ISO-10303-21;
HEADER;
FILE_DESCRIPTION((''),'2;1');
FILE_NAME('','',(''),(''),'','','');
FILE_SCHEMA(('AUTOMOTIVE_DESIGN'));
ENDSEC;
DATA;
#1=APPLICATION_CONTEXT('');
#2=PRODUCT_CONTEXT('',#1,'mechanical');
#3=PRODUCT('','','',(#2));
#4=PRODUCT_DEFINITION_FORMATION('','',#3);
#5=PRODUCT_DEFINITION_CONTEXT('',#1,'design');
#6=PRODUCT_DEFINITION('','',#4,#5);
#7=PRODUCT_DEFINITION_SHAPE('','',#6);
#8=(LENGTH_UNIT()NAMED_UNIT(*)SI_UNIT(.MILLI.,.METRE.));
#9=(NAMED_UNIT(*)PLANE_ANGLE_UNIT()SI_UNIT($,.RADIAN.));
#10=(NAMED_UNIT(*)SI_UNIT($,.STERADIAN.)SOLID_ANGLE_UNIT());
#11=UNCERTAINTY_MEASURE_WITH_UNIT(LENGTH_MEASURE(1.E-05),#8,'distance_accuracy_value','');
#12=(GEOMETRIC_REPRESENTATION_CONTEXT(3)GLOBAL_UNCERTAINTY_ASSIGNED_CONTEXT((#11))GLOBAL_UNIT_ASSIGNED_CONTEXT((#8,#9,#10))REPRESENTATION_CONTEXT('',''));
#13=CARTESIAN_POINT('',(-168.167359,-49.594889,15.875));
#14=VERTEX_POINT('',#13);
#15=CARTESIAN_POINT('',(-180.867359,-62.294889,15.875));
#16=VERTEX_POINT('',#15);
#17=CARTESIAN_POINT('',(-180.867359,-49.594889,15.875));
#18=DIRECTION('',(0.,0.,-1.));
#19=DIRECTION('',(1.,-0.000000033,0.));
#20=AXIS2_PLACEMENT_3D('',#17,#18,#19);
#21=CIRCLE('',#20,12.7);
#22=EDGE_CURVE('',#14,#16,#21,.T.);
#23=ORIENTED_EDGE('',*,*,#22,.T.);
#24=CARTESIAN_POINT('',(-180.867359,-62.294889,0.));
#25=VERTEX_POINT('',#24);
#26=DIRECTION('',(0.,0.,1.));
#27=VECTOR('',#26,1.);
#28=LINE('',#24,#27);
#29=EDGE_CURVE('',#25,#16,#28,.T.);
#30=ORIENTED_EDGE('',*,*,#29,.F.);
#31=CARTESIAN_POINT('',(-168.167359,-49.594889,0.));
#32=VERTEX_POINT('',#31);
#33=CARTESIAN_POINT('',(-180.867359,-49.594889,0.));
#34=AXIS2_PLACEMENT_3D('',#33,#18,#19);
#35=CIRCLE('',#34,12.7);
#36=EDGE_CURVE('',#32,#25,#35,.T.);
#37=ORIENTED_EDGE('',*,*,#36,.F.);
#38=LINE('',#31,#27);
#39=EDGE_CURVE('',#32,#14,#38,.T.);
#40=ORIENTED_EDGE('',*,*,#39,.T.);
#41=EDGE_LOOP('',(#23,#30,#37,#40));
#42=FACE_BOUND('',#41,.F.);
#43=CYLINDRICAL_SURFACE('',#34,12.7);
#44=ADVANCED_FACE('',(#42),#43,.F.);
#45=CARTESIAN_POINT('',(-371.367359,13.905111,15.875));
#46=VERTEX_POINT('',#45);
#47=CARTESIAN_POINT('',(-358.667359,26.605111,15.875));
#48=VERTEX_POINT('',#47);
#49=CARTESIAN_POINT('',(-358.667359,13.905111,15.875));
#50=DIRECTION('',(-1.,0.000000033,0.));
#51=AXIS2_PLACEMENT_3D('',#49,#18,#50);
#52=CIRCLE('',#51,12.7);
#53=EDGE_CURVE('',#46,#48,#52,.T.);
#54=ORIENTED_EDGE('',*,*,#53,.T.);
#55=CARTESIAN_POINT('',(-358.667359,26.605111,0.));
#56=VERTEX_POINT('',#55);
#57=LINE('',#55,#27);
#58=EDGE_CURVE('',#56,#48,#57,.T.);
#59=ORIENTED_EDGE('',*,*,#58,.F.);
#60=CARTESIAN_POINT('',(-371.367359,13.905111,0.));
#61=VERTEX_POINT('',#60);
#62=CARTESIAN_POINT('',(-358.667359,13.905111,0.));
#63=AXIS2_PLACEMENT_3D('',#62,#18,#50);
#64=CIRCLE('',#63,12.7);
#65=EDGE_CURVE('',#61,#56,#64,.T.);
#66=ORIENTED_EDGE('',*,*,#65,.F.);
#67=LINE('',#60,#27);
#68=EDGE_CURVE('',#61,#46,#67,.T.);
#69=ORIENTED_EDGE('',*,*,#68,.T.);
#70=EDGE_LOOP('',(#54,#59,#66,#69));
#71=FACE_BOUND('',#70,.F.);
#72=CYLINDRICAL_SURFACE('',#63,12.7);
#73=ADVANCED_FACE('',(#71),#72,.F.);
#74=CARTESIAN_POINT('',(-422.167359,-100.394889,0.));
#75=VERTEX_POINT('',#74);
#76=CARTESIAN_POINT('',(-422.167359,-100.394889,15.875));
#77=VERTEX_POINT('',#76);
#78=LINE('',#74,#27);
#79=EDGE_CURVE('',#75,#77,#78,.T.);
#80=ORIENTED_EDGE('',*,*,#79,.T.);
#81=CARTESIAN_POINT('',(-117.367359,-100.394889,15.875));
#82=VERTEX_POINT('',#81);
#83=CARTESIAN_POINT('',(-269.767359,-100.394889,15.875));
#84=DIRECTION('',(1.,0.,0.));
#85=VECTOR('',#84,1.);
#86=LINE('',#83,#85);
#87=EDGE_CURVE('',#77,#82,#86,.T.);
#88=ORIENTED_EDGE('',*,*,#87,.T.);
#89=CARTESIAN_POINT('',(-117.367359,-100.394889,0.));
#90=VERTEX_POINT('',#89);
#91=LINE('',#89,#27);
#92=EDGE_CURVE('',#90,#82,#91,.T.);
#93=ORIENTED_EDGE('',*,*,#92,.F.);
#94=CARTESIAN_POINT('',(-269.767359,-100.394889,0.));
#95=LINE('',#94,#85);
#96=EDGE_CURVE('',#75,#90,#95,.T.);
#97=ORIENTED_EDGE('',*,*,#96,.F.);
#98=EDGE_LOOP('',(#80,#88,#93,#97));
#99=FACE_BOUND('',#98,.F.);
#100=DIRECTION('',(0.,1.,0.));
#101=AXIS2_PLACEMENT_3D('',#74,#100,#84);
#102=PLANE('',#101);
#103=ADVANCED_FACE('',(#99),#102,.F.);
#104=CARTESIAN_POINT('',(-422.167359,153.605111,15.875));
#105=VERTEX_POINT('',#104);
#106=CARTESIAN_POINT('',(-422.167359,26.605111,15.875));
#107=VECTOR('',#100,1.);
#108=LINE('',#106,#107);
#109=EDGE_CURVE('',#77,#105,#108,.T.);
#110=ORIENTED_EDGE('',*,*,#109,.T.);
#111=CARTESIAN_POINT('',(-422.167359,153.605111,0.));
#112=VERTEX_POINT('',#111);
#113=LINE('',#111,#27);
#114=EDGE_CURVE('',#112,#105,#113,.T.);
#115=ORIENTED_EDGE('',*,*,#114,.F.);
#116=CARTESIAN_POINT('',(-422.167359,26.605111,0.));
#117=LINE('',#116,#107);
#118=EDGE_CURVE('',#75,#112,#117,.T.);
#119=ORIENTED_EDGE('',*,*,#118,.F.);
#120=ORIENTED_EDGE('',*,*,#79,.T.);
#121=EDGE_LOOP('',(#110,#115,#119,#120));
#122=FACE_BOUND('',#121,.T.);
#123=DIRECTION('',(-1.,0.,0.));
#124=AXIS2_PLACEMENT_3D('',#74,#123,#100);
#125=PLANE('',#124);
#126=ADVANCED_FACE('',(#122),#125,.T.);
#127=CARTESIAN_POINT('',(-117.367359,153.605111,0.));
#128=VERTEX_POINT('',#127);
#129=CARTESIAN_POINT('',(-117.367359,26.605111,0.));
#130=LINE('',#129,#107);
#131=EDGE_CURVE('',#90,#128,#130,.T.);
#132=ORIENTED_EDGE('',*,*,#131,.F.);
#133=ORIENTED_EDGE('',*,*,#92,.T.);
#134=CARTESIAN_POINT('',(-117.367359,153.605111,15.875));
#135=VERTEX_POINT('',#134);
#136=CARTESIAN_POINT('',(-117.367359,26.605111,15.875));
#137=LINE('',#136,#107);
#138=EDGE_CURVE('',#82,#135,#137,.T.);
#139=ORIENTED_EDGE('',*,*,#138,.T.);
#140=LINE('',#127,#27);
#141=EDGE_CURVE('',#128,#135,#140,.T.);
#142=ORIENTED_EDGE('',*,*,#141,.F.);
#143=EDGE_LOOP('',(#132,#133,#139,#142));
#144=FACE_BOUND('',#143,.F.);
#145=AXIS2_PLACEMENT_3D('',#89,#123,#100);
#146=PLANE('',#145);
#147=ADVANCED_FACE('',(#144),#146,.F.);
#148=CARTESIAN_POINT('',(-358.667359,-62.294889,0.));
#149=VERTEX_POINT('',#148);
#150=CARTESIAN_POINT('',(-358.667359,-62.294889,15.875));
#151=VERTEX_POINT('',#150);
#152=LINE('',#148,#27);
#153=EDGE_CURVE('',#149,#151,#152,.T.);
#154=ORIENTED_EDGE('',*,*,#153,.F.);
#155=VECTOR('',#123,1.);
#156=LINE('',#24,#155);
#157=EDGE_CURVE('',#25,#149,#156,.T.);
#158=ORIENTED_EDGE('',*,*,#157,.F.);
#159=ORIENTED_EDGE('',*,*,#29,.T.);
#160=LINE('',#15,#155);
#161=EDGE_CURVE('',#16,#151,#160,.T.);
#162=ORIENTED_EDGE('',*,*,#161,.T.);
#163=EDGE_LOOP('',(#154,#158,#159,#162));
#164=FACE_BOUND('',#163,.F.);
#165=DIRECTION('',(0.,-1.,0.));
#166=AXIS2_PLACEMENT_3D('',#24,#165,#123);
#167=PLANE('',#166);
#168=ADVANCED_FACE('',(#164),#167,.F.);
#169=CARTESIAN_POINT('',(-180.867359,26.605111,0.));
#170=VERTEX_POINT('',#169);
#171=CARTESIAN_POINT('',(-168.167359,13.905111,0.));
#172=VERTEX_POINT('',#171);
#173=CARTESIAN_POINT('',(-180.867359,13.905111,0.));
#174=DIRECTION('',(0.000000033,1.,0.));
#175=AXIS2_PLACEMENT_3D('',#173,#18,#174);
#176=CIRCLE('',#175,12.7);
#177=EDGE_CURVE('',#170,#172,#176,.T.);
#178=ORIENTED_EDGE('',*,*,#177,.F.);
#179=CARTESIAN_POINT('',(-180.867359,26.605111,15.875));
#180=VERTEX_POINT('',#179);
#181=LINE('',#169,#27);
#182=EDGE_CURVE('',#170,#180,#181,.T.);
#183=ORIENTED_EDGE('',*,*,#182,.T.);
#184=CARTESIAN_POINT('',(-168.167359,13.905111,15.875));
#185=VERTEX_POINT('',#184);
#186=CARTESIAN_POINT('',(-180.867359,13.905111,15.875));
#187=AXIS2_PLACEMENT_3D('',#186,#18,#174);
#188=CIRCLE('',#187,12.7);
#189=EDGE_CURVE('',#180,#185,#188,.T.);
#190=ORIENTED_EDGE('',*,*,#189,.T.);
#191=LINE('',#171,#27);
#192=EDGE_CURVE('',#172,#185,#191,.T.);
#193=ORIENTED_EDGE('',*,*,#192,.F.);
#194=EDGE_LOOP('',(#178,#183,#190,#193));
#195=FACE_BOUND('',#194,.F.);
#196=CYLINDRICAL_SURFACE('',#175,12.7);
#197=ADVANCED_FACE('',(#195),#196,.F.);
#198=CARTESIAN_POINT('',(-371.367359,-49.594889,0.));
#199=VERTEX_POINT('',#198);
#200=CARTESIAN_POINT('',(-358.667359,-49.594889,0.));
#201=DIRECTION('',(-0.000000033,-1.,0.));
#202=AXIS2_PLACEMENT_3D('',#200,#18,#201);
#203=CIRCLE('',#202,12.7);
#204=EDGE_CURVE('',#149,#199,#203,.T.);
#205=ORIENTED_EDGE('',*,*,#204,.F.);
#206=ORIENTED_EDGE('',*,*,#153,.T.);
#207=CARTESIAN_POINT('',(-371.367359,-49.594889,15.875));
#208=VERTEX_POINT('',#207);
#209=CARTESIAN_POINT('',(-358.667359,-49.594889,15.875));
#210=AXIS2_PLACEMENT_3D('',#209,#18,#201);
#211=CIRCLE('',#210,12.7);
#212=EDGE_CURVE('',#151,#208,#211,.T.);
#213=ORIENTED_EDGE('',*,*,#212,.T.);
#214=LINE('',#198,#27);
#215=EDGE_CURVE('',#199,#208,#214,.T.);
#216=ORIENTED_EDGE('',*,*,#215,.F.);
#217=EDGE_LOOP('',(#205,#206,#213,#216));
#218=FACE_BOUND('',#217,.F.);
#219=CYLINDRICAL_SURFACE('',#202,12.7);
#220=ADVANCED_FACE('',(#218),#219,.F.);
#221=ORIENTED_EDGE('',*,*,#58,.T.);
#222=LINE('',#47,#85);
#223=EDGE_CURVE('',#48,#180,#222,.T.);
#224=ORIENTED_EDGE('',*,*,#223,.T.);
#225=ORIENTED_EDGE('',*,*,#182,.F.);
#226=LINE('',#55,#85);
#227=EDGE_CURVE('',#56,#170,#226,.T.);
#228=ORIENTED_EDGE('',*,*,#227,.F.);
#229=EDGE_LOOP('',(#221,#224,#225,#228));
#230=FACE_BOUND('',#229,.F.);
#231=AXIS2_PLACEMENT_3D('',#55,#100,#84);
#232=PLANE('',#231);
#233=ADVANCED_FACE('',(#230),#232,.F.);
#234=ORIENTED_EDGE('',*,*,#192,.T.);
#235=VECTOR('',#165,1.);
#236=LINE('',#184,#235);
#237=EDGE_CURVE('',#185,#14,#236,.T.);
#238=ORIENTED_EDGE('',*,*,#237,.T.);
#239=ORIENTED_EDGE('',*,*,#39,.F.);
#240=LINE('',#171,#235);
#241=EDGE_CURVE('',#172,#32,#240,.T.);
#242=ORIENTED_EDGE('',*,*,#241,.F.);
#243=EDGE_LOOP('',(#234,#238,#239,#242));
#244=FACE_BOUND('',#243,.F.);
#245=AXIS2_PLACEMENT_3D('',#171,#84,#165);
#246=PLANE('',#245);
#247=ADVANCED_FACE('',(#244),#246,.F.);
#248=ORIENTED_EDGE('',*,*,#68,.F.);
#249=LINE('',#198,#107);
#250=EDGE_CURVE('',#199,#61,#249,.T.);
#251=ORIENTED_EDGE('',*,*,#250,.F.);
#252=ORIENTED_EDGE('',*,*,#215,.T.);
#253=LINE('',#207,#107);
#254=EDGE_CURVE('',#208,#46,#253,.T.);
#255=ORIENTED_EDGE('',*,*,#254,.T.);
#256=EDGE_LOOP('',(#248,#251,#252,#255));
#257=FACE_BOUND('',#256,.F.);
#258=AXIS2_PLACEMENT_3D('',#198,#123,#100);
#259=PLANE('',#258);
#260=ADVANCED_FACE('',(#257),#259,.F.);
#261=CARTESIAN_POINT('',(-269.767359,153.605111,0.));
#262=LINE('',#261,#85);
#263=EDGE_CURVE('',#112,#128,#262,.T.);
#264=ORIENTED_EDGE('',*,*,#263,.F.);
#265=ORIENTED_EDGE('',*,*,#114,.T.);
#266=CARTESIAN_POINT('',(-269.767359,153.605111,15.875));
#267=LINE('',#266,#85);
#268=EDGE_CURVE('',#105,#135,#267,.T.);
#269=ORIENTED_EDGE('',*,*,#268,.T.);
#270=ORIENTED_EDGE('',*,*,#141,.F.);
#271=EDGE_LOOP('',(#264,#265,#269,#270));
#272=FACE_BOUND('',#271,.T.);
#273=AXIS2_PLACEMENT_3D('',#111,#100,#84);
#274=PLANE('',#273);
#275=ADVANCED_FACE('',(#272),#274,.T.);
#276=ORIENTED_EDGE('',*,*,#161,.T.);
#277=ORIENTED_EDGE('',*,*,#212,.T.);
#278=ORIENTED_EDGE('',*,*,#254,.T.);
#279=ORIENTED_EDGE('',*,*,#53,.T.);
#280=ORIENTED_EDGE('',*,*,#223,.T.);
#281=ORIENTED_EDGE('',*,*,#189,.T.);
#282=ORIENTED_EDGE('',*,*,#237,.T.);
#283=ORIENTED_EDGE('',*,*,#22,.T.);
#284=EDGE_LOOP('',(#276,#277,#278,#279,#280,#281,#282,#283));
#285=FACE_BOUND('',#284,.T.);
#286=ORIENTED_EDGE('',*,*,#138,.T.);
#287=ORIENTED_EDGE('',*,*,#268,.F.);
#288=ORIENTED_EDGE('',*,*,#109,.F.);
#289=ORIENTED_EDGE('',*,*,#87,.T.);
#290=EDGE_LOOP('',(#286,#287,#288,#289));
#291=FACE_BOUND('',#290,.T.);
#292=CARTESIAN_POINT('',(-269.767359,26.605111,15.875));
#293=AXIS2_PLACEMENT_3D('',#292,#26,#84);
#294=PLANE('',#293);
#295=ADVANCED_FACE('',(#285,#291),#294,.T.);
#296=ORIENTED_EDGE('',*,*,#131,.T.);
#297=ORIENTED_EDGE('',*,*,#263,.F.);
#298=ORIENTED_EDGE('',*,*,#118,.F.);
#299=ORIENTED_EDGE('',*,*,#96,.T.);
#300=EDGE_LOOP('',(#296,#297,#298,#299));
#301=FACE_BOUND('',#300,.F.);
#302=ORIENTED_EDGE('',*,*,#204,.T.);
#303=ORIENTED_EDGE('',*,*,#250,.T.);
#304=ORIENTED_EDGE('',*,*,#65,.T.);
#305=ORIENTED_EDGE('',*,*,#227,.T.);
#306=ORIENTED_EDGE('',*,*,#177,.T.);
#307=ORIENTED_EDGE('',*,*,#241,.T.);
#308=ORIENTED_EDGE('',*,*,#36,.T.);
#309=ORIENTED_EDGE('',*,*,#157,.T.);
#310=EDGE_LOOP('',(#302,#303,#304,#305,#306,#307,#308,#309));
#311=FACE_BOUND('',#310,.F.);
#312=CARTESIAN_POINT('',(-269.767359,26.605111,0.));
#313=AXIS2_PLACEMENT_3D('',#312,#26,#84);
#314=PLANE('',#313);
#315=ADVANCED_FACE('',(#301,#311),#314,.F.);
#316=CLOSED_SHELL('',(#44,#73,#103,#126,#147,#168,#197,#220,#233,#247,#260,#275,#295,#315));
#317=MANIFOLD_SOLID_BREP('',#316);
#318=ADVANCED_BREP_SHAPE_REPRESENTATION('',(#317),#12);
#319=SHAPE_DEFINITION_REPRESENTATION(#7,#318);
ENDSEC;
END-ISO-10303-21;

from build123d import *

# Parameters (mm, degrees)
F0_W     = 304.8
F0_H     = 254
F1_DEPTH = 15.875


with BuildPart() as f1:
    # F0 (on Top) → F1 (new body)
    with BuildSketch(Plane.XY):
        with Locations((-269.767359, 26.605111)):
            Rectangle(F0_W, F0_H)
        with BuildLine():
            ThreePointArc((-371.367359, 13.905111), (-367.647615, 22.885367), (-358.667359, 26.605111))
            Line((-358.667359, 26.605111), (-180.867359, 26.605111))
            ThreePointArc((-180.867359, 26.605111), (-171.887103, 22.885367), (-168.167359, 13.905111))
            Line((-168.167359, 13.905111), (-168.167359, -49.594889))
            ThreePointArc((-168.167359, -49.594889), (-171.887103, -58.575145), (-180.867359, -62.294889))
            Line((-180.867359, -62.294889), (-358.667359, -62.294889))
            ThreePointArc((-358.667359, -62.294889), (-367.647615, -58.575145), (-371.367359, -49.594889))
            Line((-371.367359, -49.594889), (-371.367359, 13.905111))
        make_face(mode=Mode.SUBTRACT)
    extrude(amount=F1_DEPTH)


solid = f1.part
